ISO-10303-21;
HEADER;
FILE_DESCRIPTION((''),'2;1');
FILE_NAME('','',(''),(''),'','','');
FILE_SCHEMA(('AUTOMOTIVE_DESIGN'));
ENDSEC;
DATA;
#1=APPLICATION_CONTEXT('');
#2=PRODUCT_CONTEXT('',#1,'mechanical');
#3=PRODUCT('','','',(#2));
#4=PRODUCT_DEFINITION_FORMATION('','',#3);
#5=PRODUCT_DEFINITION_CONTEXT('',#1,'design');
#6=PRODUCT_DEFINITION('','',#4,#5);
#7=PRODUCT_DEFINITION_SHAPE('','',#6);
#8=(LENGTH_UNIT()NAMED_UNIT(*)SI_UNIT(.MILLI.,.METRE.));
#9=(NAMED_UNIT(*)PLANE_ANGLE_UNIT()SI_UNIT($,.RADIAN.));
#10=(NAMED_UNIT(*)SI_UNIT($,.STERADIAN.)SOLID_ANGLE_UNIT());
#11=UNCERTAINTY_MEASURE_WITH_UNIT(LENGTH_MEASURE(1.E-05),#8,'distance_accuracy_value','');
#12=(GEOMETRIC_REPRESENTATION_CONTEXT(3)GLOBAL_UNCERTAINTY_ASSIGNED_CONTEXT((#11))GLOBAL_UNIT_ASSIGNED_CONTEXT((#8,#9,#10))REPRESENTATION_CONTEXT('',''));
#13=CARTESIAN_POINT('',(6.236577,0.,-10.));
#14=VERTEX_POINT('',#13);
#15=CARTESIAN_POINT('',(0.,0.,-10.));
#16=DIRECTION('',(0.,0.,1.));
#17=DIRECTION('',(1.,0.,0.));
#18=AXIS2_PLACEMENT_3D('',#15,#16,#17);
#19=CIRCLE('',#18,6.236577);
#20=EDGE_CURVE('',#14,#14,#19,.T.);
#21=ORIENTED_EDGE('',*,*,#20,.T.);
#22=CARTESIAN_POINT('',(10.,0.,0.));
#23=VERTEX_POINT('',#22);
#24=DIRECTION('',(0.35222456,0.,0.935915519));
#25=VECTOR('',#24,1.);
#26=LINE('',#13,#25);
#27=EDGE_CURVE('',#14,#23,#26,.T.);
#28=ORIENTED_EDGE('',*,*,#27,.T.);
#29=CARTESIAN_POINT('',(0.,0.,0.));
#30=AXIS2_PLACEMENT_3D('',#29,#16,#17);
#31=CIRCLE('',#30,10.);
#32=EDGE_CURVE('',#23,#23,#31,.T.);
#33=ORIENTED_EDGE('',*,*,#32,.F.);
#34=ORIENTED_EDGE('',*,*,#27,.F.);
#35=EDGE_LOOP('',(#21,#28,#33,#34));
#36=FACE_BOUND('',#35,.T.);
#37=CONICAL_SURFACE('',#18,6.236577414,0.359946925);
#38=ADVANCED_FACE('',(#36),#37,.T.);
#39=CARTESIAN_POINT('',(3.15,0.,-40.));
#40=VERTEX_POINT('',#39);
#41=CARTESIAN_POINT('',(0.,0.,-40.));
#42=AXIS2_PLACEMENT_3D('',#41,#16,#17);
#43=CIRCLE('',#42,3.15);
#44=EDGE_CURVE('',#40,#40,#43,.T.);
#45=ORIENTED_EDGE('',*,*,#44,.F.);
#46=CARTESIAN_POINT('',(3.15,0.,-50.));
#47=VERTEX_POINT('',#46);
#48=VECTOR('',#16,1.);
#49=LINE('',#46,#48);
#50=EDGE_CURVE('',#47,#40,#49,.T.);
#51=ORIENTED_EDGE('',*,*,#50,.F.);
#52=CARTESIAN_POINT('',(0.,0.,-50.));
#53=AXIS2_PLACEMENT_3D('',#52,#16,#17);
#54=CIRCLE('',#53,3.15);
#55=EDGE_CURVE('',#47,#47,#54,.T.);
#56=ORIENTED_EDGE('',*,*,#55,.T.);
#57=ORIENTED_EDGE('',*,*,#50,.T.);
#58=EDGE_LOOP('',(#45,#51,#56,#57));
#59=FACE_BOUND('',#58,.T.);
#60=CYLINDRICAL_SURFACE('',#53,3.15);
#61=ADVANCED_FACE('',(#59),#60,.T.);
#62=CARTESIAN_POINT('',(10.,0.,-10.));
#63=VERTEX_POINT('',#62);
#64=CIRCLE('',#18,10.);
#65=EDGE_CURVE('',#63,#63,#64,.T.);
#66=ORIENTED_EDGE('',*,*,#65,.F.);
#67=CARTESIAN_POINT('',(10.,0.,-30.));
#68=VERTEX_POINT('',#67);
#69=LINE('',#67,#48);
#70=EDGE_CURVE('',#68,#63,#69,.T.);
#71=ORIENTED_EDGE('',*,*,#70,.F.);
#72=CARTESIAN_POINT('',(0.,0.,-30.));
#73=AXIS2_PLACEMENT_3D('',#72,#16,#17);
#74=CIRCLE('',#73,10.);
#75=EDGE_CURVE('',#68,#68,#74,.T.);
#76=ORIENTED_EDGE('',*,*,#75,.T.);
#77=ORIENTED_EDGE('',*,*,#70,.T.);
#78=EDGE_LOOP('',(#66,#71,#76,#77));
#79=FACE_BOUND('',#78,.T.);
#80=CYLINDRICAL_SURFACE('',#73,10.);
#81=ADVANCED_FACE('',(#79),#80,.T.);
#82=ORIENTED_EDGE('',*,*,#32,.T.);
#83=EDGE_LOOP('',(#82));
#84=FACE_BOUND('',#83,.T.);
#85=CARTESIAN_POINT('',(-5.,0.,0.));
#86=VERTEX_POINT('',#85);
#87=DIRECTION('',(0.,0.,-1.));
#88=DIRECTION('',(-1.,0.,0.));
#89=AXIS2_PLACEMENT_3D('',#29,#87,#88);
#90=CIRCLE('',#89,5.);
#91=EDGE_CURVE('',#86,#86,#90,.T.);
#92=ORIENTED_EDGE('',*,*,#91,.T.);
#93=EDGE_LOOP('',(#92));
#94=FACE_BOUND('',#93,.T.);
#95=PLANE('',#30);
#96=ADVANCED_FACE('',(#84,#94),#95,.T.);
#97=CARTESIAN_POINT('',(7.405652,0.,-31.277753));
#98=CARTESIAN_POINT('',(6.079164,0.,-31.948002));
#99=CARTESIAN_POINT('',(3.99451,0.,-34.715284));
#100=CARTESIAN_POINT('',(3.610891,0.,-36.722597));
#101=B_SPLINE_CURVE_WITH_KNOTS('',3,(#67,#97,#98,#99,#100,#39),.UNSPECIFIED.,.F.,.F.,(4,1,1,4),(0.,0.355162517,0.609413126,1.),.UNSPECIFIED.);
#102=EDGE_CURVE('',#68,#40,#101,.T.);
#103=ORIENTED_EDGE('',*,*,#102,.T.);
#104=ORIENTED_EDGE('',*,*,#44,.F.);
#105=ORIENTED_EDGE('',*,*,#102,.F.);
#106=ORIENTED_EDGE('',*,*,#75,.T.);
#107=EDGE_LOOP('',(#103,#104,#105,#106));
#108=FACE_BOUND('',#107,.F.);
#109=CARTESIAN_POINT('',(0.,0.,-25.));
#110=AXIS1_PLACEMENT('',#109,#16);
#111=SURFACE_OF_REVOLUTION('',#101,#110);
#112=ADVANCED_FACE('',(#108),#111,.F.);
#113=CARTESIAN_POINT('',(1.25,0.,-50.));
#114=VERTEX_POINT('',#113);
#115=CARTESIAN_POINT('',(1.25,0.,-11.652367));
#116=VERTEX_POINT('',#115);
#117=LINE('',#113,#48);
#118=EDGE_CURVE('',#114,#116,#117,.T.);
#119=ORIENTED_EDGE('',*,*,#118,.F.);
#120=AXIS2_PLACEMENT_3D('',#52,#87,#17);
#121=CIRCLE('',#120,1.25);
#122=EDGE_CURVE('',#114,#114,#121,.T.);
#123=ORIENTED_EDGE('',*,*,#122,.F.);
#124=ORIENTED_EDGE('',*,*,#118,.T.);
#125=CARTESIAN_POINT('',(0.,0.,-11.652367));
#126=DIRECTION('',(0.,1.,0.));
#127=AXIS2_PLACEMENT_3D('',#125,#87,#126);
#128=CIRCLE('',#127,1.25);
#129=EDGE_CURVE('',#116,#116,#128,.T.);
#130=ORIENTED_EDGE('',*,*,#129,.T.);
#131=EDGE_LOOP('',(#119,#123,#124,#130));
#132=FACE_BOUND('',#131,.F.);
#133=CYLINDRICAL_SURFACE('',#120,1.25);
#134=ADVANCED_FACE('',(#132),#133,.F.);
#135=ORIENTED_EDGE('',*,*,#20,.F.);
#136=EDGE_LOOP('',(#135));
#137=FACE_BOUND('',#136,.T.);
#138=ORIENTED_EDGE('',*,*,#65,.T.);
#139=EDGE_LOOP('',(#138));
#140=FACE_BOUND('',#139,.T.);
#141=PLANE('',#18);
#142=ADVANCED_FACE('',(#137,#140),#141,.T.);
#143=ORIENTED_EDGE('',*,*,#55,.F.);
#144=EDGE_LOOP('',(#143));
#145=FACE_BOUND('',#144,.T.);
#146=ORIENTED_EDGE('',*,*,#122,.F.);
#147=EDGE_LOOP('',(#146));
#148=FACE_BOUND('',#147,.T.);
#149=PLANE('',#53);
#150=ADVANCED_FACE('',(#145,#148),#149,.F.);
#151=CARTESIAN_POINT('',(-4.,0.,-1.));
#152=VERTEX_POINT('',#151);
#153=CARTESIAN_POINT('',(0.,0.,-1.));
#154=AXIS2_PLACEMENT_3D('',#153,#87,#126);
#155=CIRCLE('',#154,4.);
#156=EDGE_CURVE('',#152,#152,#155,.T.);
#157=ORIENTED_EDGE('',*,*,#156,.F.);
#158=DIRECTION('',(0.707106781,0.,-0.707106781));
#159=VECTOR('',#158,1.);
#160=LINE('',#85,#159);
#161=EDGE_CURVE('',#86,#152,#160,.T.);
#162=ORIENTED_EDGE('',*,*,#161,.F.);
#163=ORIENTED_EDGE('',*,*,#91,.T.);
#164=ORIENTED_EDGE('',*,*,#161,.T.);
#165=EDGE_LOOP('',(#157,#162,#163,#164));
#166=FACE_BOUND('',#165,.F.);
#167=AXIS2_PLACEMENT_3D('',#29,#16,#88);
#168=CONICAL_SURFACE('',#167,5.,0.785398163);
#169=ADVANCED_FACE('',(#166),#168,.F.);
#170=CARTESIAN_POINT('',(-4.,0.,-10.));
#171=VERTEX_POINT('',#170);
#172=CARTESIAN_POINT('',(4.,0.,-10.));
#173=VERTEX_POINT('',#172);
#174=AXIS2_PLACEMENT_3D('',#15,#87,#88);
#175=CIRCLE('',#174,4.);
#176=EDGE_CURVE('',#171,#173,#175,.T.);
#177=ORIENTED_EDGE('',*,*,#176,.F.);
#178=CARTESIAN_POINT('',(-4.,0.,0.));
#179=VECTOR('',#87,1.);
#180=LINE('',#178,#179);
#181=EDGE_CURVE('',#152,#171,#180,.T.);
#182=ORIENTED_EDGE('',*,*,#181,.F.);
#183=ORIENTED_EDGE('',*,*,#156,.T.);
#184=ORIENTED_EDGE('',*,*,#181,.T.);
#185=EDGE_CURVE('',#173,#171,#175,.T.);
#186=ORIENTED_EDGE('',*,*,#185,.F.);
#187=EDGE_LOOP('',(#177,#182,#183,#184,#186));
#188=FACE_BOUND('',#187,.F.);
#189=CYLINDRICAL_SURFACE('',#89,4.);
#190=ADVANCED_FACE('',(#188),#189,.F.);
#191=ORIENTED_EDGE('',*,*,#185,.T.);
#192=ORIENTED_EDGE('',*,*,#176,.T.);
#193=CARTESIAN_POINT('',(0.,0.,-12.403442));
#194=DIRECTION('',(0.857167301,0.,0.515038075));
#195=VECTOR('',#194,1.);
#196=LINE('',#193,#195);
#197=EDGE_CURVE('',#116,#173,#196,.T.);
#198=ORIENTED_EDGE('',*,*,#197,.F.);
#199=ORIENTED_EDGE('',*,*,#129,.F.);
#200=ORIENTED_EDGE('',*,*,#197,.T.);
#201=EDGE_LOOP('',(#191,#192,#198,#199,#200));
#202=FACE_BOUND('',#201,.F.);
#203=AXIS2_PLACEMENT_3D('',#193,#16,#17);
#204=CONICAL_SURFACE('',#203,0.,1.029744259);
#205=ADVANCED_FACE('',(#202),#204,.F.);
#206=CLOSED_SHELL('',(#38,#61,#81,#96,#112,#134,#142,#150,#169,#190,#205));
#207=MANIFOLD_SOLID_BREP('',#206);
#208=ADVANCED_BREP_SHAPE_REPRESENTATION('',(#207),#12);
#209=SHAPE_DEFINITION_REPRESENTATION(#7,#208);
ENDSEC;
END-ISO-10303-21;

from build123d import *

# Parameters (mm, degrees)
F2_R           = 1.25
F3_DEPTH       = 50.001
F4_R           = 2
F5_DEPTH       = 35
F7_D           = 8
F7_DEPTH       = 10
F7_CSINK_D     = 10
F7_CSINK_ANGLE = 90
F7_TIP         = 2.4034424761


with BuildPart() as f1:
    # F0 (on Front) → F1 (revolve)
    with BuildSketch(Plane.XZ):
        Polygon((6.2365774143, -10), (10, 0), (0, 0), (0, -50), (3.15, -50), (3.15, -40), (3.15, -30), (10, -30), (10, -10), align=None)
        with BuildLine():
            add(Edge.make_bspline(
                [(10, -30), (7.4056518976, -31.2777532916), (6.0791644046, -31.9480016), (3.9945104258, -34.715284016), (3.61089129, -36.7225967348), (3.15, -40)],
                knots=[0, 0, 0, 0, 0.3551625171, 0.6094131259, 1, 1, 1, 1], degree=3))
            Line((10, -30), (3.15, -30))
            Line((3.15, -30), (3.15, -40))
        make_face()
    revolve(axis=Axis((0, 0, -25), (0, 0, 1)))

    # F2 (on face) → F3 (cut, through all)
    with BuildSketch(Plane(origin=(0, 0, -50), x_dir=(1, 0, 0), z_dir=(0, 0, -1))):
        Circle(F2_R)
    extrude(amount=-F3_DEPTH, mode=Mode.SUBTRACT)

    # F4 (on face) → F5 (cut)
    with BuildSketch(Plane(origin=(0, 0, -50), x_dir=(1, 0, 0), z_dir=(0, 0, -1))):
        Circle(F4_R)
    extrude(amount=F5_DEPTH, mode=Mode.SUBTRACT)

    # F7
    with Locations(Plane.XY):
        with Locations((0, 0)):
            CounterSinkHole(F7_D / 2, F7_CSINK_D / 2, depth=F7_DEPTH, counter_sink_angle=F7_CSINK_ANGLE)
            with Locations((0, 0, -(F7_DEPTH + F7_TIP / 2))):  # 118° drill point
                Cone(0, F7_D / 2, F7_TIP, mode=Mode.SUBTRACT)


solid = f1.part
